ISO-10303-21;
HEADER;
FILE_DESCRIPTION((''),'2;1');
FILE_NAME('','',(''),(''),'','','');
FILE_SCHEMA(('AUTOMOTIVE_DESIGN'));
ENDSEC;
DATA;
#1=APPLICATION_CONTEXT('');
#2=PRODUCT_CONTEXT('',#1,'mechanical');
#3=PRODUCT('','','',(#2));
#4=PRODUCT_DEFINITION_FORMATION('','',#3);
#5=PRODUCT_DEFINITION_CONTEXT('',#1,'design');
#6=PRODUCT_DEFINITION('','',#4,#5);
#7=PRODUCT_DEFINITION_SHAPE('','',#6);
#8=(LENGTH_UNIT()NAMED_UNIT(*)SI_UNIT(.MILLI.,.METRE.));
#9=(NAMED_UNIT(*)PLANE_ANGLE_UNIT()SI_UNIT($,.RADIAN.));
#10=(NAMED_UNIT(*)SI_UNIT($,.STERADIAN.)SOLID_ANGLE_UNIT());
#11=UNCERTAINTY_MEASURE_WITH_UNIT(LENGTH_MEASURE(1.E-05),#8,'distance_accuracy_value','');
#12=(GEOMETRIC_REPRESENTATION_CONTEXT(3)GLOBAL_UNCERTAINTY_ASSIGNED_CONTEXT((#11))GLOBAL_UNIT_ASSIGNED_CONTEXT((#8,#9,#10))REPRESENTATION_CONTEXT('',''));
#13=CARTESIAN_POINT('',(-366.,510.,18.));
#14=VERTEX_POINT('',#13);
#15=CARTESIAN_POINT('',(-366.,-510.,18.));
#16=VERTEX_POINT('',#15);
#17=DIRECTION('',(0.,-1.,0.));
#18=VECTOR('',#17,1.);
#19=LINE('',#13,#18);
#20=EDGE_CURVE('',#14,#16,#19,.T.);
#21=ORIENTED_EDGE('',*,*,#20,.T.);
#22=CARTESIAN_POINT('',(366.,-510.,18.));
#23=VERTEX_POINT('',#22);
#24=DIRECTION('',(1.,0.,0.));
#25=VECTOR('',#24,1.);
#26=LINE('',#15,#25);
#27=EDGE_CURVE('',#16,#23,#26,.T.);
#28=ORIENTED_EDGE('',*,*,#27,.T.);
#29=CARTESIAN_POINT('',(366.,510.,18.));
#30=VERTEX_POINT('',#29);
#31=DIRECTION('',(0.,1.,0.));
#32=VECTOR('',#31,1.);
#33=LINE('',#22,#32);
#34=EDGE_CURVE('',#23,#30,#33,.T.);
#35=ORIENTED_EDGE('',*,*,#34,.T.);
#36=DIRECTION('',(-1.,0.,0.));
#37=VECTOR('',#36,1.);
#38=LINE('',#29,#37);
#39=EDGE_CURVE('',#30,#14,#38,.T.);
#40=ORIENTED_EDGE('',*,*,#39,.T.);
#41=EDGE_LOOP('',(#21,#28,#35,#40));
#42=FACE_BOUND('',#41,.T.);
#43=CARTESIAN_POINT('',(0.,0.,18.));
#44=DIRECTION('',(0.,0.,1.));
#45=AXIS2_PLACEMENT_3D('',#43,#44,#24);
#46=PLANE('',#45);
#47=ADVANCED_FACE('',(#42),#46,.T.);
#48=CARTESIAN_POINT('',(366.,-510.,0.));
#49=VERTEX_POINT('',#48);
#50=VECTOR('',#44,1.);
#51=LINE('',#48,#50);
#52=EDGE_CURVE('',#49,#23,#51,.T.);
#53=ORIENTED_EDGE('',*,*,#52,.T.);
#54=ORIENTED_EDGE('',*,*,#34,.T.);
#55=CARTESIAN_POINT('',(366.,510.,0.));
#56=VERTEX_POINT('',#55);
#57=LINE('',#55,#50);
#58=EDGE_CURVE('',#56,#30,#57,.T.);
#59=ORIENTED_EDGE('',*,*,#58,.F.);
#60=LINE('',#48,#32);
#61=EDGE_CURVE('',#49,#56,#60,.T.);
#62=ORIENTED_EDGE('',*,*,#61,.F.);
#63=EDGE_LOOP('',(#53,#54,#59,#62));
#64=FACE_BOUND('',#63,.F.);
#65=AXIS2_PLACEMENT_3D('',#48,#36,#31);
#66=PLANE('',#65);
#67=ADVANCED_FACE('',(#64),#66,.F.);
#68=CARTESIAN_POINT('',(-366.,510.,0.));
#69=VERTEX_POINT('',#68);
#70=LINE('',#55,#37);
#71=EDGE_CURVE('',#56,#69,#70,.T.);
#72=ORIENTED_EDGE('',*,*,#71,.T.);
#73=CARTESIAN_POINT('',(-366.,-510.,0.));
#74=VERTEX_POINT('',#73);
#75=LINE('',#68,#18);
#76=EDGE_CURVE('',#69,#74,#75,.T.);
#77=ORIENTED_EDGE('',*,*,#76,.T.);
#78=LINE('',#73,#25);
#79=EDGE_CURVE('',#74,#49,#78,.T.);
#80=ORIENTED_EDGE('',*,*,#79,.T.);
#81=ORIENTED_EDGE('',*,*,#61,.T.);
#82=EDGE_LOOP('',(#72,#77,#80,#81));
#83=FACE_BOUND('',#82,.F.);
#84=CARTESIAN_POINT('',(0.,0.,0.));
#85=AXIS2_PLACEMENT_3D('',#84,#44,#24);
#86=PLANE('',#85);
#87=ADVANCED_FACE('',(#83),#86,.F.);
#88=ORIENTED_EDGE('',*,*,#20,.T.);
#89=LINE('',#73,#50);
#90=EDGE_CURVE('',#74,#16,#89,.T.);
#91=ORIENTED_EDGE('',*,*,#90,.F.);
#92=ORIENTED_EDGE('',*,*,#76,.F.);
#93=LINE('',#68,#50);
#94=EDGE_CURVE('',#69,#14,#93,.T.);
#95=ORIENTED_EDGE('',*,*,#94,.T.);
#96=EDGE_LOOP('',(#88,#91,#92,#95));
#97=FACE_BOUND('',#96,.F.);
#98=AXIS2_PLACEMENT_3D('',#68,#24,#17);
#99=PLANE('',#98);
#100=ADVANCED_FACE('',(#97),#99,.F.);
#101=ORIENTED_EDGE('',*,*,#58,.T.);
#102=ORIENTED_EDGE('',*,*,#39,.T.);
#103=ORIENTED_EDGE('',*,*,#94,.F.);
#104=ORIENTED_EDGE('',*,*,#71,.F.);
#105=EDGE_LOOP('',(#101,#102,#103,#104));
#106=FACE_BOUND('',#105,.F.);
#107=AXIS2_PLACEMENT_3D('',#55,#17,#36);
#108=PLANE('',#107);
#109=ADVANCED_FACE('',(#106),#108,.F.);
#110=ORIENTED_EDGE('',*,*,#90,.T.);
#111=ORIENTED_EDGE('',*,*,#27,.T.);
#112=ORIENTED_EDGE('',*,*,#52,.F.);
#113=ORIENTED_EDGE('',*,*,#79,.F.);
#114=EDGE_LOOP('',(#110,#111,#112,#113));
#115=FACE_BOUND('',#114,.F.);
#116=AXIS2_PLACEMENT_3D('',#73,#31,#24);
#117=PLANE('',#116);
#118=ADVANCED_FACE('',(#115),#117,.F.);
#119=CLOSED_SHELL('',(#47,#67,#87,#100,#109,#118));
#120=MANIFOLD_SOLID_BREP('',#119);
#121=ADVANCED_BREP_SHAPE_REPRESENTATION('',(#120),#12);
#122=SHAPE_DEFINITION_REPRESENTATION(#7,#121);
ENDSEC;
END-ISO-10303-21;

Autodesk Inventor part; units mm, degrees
ref_plane "YZ Plane" through (0, 0, 0) normal (1, 0, 0) x (0, 1, 0)
ref_plane "XZ Plane" through (0, 0, 0) normal (0, 1, 0) x (-1, 0, 0)
ref_plane "XY Plane" through (0, 0, 0) normal (0, 0, 1) x (1, 0, 0)
sketch "Sketch1" plane through (0, 0, 0) normal (0, 0, 1) x (1, 0, 0)
  line L0 (-366, -510) -> (366, -510)
  line L1 (366, -510) -> (366, 510)
  line L2 (366, 510) -> (-366, 510)
  line L3 (-366, 510) -> (-366, -510)
  line L4 (-366, -510) -> (366, 510) construction
  line L5 (366, -510) -> (-366, 510) construction
  point P0 (0, 0)
  dimension "d0" = 732
  dimension "d1" = 1020
extrude "Extrusion1" add sketch "Sketch1" along normal blind 18
properties part number "bok"
